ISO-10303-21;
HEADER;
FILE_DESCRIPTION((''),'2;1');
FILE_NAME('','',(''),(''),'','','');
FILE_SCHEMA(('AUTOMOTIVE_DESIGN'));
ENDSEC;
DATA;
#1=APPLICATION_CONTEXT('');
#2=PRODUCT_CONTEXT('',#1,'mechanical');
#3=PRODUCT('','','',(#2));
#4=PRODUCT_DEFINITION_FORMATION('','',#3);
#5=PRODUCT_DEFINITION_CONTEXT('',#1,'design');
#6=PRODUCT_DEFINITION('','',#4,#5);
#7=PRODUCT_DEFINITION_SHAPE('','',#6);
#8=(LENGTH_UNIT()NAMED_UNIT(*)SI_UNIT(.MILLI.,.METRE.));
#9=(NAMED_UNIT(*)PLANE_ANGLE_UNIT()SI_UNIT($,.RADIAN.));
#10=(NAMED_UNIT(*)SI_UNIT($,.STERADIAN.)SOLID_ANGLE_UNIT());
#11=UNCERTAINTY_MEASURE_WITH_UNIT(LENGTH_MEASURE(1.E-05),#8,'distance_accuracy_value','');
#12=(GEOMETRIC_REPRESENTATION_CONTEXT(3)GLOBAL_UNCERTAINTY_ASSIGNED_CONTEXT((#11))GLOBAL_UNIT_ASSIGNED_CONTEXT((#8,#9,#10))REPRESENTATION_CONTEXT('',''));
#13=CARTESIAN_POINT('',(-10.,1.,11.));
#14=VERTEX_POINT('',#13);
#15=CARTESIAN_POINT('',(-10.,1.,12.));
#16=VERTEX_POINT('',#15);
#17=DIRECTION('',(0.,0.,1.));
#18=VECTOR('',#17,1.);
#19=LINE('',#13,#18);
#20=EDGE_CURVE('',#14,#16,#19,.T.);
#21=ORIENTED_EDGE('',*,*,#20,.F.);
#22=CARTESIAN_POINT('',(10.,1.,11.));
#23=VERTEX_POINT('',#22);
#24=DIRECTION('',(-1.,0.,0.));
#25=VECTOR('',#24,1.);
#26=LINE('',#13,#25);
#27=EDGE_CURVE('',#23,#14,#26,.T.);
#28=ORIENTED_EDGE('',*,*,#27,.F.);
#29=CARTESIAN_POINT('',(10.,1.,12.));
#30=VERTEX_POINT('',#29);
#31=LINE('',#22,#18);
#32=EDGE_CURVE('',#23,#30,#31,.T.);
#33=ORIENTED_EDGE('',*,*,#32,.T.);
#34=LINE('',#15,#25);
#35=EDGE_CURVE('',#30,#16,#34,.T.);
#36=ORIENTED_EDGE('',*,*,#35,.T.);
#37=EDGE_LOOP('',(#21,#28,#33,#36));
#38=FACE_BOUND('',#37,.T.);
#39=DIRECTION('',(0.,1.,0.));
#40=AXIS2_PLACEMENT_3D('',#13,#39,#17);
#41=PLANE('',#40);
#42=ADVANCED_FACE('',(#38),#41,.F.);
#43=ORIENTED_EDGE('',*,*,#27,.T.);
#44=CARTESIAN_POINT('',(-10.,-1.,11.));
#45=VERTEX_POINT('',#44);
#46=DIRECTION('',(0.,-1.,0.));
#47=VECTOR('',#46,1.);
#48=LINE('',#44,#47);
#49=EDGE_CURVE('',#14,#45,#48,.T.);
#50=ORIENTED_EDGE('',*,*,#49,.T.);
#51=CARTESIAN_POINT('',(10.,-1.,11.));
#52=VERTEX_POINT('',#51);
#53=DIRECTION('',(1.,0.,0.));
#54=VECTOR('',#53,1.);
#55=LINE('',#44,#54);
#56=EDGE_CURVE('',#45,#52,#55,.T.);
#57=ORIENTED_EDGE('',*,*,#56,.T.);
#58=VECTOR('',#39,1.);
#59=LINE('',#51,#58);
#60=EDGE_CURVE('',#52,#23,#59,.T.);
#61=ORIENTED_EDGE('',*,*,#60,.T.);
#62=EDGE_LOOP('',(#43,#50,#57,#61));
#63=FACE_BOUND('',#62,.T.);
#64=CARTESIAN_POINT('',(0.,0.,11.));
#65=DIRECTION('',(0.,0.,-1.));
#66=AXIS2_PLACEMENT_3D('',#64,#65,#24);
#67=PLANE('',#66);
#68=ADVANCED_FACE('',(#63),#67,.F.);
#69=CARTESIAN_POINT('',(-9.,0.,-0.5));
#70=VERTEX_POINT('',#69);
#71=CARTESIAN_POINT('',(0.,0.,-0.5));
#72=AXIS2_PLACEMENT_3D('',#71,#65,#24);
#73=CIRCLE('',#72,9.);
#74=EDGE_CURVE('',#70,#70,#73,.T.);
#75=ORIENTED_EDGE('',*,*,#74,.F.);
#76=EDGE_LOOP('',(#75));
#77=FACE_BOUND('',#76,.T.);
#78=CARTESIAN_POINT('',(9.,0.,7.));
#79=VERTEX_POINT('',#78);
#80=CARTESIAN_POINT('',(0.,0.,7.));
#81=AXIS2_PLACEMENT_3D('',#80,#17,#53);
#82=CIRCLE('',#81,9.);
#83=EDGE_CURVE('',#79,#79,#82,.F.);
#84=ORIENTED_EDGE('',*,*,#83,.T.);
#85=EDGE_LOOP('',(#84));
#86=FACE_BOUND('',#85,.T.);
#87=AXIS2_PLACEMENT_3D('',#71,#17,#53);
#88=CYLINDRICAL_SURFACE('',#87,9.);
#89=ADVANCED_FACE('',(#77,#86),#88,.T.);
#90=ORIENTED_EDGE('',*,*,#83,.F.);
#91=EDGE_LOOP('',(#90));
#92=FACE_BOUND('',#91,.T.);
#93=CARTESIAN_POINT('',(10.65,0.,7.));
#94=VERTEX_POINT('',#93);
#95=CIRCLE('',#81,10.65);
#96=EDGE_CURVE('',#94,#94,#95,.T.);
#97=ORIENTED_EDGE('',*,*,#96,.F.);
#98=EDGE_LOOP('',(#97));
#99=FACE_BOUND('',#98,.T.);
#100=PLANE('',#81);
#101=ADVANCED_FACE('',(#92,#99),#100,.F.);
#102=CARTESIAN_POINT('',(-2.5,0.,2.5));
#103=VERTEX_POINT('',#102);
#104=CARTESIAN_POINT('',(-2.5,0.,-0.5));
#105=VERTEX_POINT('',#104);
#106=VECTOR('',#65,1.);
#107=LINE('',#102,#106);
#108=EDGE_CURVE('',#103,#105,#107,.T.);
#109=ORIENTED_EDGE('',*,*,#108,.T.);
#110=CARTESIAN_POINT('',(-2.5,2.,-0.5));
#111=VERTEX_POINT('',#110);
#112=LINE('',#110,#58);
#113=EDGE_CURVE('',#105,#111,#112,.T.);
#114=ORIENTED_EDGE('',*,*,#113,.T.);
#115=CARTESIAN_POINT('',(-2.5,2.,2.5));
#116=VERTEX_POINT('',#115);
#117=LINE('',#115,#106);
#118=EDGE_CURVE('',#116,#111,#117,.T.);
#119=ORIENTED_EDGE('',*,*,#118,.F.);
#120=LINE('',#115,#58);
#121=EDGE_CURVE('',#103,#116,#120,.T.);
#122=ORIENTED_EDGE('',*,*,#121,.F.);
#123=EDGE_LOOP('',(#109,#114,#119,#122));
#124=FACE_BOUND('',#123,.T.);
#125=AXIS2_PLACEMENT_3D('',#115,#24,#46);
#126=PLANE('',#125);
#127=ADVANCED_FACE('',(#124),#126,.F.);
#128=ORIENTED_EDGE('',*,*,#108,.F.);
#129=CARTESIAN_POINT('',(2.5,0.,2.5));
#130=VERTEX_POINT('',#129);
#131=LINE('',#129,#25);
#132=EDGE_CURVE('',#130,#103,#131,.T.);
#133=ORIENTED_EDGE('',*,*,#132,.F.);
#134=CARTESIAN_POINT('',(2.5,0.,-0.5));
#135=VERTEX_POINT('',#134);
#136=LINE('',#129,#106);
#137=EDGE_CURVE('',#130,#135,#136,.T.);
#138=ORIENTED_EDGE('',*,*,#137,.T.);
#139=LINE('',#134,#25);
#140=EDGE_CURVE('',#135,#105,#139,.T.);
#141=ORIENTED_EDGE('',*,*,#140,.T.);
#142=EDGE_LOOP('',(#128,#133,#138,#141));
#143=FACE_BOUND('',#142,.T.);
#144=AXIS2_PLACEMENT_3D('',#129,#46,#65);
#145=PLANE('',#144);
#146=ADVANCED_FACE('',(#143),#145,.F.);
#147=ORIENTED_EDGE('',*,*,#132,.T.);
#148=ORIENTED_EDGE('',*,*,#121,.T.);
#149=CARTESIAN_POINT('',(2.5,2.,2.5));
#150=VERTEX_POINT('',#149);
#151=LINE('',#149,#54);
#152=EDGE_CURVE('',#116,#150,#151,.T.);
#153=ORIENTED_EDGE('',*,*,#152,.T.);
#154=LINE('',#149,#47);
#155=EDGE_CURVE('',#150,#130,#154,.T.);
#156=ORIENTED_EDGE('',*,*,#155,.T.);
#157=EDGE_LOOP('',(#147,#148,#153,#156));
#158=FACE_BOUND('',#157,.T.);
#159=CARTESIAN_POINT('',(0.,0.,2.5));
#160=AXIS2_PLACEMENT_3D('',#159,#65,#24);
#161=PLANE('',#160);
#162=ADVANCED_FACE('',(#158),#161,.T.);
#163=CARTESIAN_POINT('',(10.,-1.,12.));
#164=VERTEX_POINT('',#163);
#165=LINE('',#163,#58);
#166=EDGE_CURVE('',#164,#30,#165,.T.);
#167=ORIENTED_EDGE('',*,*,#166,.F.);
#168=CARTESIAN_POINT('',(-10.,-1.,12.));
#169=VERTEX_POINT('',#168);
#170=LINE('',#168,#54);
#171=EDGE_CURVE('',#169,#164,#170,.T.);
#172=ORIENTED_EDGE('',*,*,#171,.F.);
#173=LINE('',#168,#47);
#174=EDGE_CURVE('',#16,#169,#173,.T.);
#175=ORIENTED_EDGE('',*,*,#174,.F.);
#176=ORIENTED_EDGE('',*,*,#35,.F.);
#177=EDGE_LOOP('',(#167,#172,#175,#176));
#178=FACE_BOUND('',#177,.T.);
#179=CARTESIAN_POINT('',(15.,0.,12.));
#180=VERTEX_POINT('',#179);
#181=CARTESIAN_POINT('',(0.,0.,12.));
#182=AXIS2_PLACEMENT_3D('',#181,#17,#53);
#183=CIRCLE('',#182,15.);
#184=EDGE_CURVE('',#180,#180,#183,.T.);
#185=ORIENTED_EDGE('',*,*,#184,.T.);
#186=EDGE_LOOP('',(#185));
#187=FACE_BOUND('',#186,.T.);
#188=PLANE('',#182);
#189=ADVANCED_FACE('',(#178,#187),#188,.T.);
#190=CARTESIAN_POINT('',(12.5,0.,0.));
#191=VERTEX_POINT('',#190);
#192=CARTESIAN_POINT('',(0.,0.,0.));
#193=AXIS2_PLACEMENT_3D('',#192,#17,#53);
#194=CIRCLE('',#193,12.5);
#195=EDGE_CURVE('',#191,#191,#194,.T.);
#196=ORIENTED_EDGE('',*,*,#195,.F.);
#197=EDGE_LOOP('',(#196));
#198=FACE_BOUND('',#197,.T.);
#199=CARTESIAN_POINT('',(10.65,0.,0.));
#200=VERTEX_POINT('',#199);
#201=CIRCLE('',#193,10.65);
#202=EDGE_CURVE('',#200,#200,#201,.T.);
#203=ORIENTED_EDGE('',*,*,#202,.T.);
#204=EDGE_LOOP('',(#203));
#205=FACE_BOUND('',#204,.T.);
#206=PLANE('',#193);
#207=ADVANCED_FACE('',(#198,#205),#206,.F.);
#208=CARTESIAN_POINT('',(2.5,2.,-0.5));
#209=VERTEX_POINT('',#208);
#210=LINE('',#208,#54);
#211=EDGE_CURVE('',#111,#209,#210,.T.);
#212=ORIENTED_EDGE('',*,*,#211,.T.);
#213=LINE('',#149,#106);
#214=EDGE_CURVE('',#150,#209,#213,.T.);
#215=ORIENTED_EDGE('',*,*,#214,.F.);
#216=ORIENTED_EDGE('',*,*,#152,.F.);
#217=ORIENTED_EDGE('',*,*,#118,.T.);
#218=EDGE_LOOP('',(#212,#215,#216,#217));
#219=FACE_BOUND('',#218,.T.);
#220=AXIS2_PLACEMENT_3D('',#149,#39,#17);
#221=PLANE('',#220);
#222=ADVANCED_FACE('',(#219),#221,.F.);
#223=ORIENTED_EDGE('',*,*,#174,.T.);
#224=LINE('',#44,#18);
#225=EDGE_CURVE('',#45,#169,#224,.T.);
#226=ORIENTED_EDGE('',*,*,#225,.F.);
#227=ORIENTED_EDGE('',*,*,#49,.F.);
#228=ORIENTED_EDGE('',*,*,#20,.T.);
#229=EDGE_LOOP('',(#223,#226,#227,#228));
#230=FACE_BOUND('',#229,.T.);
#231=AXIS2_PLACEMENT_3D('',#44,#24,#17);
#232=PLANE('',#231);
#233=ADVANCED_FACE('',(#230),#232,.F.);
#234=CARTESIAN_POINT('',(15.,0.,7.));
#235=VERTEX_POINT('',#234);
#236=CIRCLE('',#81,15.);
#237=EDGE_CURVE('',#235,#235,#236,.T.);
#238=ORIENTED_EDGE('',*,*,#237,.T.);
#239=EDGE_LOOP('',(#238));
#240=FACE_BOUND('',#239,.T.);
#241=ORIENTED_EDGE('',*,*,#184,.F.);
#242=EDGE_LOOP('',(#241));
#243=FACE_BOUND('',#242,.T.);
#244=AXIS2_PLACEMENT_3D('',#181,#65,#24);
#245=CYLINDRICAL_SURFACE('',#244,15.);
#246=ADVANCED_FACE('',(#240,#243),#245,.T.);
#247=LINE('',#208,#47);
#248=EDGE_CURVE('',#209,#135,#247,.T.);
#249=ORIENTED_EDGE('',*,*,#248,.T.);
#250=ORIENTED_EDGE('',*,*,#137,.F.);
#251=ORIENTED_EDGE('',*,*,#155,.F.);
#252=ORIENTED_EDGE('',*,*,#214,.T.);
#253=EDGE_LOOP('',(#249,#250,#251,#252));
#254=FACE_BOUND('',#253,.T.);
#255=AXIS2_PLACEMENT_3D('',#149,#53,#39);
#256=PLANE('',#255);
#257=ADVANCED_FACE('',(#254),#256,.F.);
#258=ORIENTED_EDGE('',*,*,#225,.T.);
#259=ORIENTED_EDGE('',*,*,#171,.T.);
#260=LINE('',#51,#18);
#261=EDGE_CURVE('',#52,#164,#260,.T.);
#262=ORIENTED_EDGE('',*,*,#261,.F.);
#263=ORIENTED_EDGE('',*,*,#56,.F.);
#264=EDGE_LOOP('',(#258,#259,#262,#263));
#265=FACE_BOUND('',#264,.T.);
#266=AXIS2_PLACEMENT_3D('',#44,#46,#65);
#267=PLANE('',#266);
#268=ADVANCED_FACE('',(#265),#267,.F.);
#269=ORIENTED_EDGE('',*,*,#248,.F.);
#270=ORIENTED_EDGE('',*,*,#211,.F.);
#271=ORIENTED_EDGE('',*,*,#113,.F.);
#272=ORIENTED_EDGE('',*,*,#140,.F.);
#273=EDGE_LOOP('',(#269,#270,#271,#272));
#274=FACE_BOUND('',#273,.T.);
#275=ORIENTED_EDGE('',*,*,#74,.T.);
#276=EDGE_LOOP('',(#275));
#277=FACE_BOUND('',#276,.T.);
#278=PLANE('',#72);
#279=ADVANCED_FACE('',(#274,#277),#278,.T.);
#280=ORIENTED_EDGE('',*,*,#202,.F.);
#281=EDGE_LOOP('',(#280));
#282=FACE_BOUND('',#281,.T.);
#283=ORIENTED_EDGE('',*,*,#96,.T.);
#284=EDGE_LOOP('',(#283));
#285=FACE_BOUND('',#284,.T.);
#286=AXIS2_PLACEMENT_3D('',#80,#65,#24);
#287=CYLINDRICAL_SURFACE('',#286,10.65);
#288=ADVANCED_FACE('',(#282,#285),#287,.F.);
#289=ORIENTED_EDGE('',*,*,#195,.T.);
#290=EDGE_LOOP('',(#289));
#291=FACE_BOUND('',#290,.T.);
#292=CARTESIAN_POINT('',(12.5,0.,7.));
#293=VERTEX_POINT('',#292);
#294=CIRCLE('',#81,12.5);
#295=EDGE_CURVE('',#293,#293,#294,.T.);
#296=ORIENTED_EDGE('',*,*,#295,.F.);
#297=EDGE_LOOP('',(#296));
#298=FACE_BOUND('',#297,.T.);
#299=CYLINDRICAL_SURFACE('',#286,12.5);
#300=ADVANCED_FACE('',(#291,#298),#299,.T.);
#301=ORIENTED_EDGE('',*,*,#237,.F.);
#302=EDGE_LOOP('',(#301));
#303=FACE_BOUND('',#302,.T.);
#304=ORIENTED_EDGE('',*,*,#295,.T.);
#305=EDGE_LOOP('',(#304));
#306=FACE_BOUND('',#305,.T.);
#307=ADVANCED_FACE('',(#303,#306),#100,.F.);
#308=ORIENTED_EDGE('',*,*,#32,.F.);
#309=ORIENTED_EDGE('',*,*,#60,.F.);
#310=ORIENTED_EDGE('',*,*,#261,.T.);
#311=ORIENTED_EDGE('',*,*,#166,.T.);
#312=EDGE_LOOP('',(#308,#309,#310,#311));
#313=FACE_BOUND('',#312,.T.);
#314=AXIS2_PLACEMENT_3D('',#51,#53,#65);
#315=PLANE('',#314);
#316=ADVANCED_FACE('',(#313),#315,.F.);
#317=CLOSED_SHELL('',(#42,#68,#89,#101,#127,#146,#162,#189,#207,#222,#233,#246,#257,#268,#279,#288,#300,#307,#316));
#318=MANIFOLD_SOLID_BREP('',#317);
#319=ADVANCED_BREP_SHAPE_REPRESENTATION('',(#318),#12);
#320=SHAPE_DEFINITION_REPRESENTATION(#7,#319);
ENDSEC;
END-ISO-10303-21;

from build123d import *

# Parameters (mm, degrees)
SKETCH_1_R          = 12.5
SKETCH_1_R_2        = 10.65
EXTRUDE_1_DEPTH     = 7
SKETCH_2_R          = 15
EXTRUDE_2_DEPTH     = 5
SKETCH_4_R          = 9
EXTRUDE_3_DEPTH     = 7.5
SKETCH_5_W          = 20
SKETCH_5_H          = 2
CUT_EXTRUDE_1_DEPTH = 1
SKETCH_6_W          = 5
SKETCH_6_H          = 2
CUT_EXTRUDE_2_DEPTH = 3


with BuildPart() as part:
    # 스케치1 → 보스-돌출1 (new body)
    with BuildSketch(Plane.XY):
        Circle(SKETCH_1_R)
        Circle(SKETCH_1_R_2, mode=Mode.SUBTRACT)
    extrude(amount=EXTRUDE_1_DEPTH)

    # 스케치2 → 보스-돌출2 (add)
    with BuildSketch(Plane.XY.offset(7)):
        Circle(SKETCH_2_R)
    extrude(amount=EXTRUDE_2_DEPTH)

    # 스케치4 → 보스-돌출3 (add)
    with BuildSketch(Plane(origin=(0, 0, 7), x_dir=(-1, 0, 0), z_dir=(0, 0, -1))):
        with Locations(Location((0, 0, 0), (0, 0, 180))):
            Circle(SKETCH_4_R)
    extrude(amount=EXTRUDE_3_DEPTH)

    # 스케치5 → 컷-돌출1 (cut)
    with BuildSketch(Plane.XY.offset(12)):
        Rectangle(SKETCH_5_W, SKETCH_5_H)
    extrude(amount=-CUT_EXTRUDE_1_DEPTH, mode=Mode.SUBTRACT)

    # 스케치6 → 컷-돌출2 (cut)
    with BuildSketch(Plane(origin=(0, 0, -0.5), x_dir=(-1, 0, 0), z_dir=(0, 0, -1))):
        with Locations((0, 1)):
            Rectangle(SKETCH_6_W, SKETCH_6_H)
    extrude(amount=-CUT_EXTRUDE_2_DEPTH, mode=Mode.SUBTRACT)


solid = part.part
